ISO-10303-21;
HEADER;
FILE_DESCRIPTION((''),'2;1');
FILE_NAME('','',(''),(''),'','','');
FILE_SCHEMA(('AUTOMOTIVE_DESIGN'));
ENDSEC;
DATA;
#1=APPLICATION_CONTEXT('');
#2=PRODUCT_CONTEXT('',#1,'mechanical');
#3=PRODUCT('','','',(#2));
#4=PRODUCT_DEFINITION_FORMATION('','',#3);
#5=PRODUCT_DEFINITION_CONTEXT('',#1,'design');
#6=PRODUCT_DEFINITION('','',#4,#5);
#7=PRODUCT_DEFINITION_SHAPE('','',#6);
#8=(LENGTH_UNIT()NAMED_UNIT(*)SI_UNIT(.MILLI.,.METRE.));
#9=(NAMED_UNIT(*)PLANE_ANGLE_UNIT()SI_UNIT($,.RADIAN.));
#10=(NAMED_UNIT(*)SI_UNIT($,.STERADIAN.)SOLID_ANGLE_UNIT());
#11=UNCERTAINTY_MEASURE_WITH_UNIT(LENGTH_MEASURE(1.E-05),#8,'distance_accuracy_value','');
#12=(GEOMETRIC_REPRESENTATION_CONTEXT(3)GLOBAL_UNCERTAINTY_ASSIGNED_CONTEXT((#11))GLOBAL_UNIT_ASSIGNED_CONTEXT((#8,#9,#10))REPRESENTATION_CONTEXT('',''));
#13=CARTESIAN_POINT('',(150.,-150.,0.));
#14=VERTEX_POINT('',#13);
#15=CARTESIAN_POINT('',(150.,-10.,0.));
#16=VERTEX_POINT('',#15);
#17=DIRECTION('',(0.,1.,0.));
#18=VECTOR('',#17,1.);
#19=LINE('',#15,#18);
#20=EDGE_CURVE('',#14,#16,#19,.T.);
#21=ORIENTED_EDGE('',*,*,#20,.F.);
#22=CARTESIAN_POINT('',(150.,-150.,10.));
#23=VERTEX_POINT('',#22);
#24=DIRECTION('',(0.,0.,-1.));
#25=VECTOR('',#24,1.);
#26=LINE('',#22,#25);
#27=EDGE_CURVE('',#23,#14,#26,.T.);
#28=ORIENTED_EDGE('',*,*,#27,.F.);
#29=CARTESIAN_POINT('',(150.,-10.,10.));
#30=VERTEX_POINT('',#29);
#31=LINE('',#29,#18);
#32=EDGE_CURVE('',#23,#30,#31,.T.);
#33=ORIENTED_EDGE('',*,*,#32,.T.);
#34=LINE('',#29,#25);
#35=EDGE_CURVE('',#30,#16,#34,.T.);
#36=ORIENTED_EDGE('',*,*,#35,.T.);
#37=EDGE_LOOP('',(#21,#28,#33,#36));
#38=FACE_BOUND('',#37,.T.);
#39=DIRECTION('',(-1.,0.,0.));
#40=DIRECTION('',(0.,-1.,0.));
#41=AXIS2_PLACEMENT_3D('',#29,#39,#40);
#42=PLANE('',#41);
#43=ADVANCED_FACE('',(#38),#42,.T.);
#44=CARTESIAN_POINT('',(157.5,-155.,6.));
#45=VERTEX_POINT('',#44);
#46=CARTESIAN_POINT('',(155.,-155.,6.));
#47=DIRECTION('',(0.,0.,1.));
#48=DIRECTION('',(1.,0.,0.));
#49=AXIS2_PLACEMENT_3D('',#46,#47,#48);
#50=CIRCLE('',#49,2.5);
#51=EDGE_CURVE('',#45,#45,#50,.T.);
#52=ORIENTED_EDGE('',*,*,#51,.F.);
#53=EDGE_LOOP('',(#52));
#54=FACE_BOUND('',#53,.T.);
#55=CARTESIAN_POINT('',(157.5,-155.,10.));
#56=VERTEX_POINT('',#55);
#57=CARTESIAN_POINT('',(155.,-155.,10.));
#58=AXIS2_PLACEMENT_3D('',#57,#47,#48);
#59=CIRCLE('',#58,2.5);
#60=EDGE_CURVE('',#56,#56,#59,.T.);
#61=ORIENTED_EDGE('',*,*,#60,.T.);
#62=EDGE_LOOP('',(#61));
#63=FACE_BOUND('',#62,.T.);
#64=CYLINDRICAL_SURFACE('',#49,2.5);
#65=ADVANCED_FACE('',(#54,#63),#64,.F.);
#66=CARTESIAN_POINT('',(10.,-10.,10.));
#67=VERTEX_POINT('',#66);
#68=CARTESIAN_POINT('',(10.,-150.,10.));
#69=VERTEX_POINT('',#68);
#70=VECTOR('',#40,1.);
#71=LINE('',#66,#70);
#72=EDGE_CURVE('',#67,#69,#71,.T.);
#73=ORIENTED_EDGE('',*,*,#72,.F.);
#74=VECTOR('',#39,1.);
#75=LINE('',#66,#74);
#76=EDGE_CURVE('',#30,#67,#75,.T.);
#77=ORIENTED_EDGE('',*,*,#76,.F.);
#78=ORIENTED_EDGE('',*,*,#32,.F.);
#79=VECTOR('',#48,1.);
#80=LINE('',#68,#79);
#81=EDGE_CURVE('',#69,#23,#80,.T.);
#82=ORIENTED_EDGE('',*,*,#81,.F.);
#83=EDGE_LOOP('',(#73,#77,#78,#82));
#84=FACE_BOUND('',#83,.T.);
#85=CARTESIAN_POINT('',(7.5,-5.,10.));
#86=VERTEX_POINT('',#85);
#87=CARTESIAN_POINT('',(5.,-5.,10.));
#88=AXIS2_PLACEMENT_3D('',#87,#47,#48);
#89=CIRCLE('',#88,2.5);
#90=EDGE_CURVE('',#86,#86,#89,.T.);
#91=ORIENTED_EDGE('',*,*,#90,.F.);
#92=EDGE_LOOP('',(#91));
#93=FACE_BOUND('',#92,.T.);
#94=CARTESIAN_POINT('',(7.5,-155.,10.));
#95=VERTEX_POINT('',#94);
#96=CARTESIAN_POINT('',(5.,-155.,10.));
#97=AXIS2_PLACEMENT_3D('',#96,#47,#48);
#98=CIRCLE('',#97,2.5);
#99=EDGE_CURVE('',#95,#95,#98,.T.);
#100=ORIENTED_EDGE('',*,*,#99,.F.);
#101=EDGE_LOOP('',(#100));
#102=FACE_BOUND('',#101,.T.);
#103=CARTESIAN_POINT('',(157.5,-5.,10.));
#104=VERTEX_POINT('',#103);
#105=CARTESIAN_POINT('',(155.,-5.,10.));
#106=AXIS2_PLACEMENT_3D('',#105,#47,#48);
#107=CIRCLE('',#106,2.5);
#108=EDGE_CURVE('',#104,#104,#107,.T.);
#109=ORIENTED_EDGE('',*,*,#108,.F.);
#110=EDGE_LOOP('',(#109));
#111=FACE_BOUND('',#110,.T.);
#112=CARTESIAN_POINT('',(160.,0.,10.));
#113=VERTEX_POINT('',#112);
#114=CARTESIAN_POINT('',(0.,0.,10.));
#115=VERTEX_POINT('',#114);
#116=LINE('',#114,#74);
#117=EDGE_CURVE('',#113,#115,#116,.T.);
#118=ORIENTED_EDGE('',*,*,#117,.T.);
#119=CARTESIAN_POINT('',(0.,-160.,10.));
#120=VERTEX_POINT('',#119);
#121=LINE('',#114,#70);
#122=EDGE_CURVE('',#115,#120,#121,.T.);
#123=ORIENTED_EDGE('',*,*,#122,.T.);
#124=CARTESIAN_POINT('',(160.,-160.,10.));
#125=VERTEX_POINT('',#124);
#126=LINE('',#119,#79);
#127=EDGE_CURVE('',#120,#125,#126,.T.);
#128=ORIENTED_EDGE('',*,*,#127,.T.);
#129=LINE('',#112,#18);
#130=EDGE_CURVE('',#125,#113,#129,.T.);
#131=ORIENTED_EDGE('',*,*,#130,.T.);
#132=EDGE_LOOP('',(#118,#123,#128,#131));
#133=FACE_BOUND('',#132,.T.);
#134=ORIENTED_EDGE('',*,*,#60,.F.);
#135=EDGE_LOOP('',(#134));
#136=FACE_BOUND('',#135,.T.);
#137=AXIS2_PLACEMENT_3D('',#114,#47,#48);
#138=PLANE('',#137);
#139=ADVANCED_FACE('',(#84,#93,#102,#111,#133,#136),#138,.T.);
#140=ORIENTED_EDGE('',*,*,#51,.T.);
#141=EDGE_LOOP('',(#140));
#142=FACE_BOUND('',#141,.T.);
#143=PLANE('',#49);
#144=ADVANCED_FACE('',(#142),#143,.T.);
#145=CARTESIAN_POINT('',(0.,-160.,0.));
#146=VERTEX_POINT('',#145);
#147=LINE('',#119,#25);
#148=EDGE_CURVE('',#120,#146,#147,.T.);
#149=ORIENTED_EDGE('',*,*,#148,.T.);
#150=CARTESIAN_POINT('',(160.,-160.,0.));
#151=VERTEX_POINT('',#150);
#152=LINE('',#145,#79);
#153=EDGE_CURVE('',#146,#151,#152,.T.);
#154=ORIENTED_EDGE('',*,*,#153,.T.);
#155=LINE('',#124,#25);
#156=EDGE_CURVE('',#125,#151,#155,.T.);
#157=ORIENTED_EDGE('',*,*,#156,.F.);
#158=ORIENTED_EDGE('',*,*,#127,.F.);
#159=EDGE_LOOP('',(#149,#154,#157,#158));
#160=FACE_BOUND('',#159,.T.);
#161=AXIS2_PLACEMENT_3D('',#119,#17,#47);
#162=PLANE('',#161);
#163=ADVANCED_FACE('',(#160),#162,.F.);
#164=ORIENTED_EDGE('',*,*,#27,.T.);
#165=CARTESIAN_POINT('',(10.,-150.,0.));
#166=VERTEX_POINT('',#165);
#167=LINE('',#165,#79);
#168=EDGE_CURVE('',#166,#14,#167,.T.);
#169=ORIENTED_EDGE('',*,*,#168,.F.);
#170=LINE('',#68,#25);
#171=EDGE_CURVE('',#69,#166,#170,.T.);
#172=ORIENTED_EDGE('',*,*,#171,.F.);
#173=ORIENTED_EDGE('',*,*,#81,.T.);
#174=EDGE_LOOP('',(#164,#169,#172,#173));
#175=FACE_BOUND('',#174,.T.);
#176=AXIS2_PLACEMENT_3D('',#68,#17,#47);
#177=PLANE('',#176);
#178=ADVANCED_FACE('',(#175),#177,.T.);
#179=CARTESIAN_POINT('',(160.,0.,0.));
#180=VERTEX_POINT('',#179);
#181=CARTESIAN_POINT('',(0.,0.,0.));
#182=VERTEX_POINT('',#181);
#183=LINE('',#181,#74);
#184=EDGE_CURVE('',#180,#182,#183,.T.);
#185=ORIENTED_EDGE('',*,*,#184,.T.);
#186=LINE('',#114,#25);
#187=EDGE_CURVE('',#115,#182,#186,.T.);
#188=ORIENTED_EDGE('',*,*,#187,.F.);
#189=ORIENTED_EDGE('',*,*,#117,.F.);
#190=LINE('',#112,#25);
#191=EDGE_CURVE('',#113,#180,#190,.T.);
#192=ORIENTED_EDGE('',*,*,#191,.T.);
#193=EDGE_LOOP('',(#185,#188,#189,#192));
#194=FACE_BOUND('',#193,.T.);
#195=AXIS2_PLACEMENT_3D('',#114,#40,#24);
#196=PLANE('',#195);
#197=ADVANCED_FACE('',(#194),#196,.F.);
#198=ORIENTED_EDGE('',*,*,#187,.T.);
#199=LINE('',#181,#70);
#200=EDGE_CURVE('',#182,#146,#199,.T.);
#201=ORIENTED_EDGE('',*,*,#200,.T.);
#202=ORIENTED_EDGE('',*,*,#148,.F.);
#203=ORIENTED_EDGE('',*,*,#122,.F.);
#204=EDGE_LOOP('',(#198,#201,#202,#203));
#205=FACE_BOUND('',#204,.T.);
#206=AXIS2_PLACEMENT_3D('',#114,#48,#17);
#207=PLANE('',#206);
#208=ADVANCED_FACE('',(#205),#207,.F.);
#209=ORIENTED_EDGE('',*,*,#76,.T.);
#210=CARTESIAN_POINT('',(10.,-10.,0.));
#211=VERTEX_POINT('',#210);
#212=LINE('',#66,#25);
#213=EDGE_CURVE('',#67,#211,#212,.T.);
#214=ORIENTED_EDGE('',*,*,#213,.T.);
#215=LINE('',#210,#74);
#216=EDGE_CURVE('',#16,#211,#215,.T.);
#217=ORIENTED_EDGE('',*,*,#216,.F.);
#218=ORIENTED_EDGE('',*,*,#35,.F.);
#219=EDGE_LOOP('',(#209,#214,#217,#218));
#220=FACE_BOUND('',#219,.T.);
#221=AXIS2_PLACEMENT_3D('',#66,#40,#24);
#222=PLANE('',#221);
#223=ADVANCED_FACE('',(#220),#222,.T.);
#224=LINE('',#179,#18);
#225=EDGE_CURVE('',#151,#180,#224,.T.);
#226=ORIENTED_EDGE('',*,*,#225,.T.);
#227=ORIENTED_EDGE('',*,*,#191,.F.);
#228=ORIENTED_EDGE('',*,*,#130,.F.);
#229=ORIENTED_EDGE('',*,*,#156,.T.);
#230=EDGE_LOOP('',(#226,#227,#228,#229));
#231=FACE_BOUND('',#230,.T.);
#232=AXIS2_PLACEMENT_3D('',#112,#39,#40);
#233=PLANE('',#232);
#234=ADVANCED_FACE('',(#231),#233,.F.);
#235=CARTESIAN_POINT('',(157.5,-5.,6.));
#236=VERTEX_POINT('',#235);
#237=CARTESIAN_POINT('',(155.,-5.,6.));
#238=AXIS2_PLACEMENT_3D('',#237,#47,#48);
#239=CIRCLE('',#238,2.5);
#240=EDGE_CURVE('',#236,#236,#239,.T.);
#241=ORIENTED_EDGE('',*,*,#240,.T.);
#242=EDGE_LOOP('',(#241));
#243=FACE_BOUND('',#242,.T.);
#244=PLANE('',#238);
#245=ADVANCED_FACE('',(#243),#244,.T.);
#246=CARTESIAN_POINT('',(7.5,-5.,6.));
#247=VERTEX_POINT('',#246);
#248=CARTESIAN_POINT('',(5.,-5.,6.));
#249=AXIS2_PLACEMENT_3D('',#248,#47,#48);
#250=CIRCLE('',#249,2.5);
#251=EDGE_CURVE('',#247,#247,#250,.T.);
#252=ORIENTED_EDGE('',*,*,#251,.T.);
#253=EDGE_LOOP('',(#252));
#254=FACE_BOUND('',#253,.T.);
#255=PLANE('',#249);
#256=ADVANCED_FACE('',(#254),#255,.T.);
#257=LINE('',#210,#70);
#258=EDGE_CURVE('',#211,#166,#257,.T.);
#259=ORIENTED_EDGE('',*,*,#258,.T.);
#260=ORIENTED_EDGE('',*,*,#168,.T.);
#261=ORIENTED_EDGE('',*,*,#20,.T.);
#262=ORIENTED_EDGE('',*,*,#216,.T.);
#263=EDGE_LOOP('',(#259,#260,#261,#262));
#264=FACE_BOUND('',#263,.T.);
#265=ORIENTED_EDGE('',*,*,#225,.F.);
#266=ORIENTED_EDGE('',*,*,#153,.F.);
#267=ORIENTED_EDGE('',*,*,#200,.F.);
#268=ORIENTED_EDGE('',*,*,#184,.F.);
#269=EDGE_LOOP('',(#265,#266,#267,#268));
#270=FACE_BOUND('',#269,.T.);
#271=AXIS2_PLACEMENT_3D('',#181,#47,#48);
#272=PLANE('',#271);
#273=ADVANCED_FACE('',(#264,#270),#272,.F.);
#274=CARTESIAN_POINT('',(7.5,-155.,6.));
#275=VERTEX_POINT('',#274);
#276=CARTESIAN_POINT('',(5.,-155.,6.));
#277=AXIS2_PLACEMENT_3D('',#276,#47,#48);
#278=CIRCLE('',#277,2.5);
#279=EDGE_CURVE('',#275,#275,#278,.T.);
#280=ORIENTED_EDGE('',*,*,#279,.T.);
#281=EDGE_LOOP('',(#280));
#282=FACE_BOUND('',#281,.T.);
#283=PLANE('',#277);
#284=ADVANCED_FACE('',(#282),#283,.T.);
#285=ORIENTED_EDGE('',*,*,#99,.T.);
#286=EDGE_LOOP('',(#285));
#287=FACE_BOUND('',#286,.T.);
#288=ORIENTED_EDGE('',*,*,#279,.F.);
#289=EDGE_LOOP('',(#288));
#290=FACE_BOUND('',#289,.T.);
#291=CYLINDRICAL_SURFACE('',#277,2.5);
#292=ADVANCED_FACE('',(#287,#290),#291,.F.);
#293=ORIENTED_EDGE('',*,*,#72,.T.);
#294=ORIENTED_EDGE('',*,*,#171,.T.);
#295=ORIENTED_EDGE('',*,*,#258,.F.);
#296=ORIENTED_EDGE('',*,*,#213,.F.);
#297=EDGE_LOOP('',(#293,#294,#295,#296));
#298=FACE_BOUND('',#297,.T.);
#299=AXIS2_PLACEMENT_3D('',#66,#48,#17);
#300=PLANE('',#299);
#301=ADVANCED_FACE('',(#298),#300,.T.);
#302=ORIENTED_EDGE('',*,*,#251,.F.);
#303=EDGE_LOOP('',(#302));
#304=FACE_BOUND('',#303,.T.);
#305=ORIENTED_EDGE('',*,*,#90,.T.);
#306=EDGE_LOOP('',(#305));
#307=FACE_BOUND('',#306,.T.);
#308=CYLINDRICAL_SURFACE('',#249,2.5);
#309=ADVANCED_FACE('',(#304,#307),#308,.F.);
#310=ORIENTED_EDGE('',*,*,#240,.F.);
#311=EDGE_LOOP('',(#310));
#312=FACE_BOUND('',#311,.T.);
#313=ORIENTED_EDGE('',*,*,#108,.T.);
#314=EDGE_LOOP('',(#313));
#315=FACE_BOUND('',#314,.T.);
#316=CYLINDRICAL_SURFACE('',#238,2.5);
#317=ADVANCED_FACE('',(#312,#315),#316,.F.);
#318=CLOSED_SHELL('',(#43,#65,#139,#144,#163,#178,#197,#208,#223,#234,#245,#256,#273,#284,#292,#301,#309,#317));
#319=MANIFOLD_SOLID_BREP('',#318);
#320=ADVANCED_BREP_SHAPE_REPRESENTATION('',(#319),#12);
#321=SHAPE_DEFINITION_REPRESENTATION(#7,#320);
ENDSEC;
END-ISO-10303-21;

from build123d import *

# Parameters (mm, degrees)
CROQUIS2_W                   = 160
CROQUIS2_H                   = 160
CROQUIS2_W_2                 = 140
CROQUIS2_H_2                 = 140
SALIENTE_EXTRUIR1_DEPTH      = 10
SALIENTE_EXTRUIR2_DEPTH      = 140
SALIENTE_EXTRUIR2_DEPTH_BACK = 10
CROQUIS4_W                   = 10
CROQUIS4_H                   = 10
CROQUIS7_W                   = 160
CROQUIS7_H                   = 160
CROQUIS7_W_2                 = 140
CROQUIS7_H_2                 = 140
SALIENTE_EXTRUIR3_DEPTH      = 10
CROQUIS8_W                   = 63
CROQUIS8_H                   = 12
CROQUIS8_R                   = 2.5
SALIENTE_EXTRUIR4_DEPTH      = 5
CROQUIS9_W                   = 174.167702824
CROQUIS9_H                   = 180.53552259
CORTAR_EXTRUIR2_DEPTH        = 278.128129211
CROQUIS10_R                  = 2.5
CORTAR_EXTRUIR3_DEPTH        = 4


with BuildPart() as part:
    # Croquis2 → Saliente-Extruir1 (new body)
    with BuildSketch(Plane.XY):
        with Locations((80, -80)):
            Rectangle(CROQUIS2_W, CROQUIS2_H)
        with Locations((80, -80)):
            Rectangle(CROQUIS2_W_2, CROQUIS2_H_2, mode=Mode.SUBTRACT)
    extrude(amount=SALIENTE_EXTRUIR1_DEPTH)

    # Croquis4 → Saliente-Extruir2 (add, two sides: drawn at the far end of the back side and taken through both)
    with BuildSketch(Plane.XY.offset(10).offset(-SALIENTE_EXTRUIR2_DEPTH_BACK)):
        with Locations((5, -5)):
            Rectangle(CROQUIS4_W, CROQUIS4_H)
        with Locations((155, -5)):
            Rectangle(CROQUIS4_W, CROQUIS4_H)
        with Locations((155, -155)):
            Rectangle(CROQUIS4_W, CROQUIS4_H)
        with Locations((5, -155)):
            Rectangle(CROQUIS4_W, CROQUIS4_H)
    extrude(amount=SALIENTE_EXTRUIR2_DEPTH + SALIENTE_EXTRUIR2_DEPTH_BACK)

    # Croquis7 → Saliente-Extruir3 (add)
    with BuildSketch(Plane.XY.offset(150)):
        with Locations((80, -80)):
            Rectangle(CROQUIS7_W, CROQUIS7_H)
        with Locations((80, -80)):
            Rectangle(CROQUIS7_W_2, CROQUIS7_H_2, mode=Mode.SUBTRACT)
    extrude(amount=SALIENTE_EXTRUIR3_DEPTH)

    # Croquis8 → Saliente-Extruir4 (add)
    # profile 1 of 2: a face of its own
    with BuildSketch(Plane.XY.offset(160)):
        with Locations((31.5, -80)):
            Rectangle(CROQUIS8_W, CROQUIS8_H)
        with Locations((55, -80)):
            Circle(CROQUIS8_R, mode=Mode.SUBTRACT)
    # profile 2 of 2: a face of its own
    with BuildSketch(Plane.XY.offset(160)):
        with Locations((128.5, -80)):
            Rectangle(CROQUIS8_W, CROQUIS8_H)
        with Locations((105, -80)):
            Circle(CROQUIS8_R, mode=Mode.SUBTRACT)
    extrude(amount=-SALIENTE_EXTRUIR4_DEPTH)

    # Croquis9 → Cortar-Extruir2 (cut, through all)
    with BuildSketch(Plane.ZY):
        with Locations((97.083851412, -84.953806067)):
            Rectangle(CROQUIS9_W, CROQUIS9_H)
    extrude(amount=-CORTAR_EXTRUIR2_DEPTH, mode=Mode.SUBTRACT)

    # Croquis10 → Cortar-Extruir3 (cut)
    with BuildSketch(Plane.XY.offset(10)):
        with Locations((5, -155)):
            Circle(CROQUIS10_R)
        with Locations((5, -5)):
            Circle(CROQUIS10_R)
        with Locations((155, -5)):
            Circle(CROQUIS10_R)
        with Locations((155, -155)):
            Circle(CROQUIS10_R)
    extrude(amount=-CORTAR_EXTRUIR3_DEPTH, mode=Mode.SUBTRACT)


solid = part.part
